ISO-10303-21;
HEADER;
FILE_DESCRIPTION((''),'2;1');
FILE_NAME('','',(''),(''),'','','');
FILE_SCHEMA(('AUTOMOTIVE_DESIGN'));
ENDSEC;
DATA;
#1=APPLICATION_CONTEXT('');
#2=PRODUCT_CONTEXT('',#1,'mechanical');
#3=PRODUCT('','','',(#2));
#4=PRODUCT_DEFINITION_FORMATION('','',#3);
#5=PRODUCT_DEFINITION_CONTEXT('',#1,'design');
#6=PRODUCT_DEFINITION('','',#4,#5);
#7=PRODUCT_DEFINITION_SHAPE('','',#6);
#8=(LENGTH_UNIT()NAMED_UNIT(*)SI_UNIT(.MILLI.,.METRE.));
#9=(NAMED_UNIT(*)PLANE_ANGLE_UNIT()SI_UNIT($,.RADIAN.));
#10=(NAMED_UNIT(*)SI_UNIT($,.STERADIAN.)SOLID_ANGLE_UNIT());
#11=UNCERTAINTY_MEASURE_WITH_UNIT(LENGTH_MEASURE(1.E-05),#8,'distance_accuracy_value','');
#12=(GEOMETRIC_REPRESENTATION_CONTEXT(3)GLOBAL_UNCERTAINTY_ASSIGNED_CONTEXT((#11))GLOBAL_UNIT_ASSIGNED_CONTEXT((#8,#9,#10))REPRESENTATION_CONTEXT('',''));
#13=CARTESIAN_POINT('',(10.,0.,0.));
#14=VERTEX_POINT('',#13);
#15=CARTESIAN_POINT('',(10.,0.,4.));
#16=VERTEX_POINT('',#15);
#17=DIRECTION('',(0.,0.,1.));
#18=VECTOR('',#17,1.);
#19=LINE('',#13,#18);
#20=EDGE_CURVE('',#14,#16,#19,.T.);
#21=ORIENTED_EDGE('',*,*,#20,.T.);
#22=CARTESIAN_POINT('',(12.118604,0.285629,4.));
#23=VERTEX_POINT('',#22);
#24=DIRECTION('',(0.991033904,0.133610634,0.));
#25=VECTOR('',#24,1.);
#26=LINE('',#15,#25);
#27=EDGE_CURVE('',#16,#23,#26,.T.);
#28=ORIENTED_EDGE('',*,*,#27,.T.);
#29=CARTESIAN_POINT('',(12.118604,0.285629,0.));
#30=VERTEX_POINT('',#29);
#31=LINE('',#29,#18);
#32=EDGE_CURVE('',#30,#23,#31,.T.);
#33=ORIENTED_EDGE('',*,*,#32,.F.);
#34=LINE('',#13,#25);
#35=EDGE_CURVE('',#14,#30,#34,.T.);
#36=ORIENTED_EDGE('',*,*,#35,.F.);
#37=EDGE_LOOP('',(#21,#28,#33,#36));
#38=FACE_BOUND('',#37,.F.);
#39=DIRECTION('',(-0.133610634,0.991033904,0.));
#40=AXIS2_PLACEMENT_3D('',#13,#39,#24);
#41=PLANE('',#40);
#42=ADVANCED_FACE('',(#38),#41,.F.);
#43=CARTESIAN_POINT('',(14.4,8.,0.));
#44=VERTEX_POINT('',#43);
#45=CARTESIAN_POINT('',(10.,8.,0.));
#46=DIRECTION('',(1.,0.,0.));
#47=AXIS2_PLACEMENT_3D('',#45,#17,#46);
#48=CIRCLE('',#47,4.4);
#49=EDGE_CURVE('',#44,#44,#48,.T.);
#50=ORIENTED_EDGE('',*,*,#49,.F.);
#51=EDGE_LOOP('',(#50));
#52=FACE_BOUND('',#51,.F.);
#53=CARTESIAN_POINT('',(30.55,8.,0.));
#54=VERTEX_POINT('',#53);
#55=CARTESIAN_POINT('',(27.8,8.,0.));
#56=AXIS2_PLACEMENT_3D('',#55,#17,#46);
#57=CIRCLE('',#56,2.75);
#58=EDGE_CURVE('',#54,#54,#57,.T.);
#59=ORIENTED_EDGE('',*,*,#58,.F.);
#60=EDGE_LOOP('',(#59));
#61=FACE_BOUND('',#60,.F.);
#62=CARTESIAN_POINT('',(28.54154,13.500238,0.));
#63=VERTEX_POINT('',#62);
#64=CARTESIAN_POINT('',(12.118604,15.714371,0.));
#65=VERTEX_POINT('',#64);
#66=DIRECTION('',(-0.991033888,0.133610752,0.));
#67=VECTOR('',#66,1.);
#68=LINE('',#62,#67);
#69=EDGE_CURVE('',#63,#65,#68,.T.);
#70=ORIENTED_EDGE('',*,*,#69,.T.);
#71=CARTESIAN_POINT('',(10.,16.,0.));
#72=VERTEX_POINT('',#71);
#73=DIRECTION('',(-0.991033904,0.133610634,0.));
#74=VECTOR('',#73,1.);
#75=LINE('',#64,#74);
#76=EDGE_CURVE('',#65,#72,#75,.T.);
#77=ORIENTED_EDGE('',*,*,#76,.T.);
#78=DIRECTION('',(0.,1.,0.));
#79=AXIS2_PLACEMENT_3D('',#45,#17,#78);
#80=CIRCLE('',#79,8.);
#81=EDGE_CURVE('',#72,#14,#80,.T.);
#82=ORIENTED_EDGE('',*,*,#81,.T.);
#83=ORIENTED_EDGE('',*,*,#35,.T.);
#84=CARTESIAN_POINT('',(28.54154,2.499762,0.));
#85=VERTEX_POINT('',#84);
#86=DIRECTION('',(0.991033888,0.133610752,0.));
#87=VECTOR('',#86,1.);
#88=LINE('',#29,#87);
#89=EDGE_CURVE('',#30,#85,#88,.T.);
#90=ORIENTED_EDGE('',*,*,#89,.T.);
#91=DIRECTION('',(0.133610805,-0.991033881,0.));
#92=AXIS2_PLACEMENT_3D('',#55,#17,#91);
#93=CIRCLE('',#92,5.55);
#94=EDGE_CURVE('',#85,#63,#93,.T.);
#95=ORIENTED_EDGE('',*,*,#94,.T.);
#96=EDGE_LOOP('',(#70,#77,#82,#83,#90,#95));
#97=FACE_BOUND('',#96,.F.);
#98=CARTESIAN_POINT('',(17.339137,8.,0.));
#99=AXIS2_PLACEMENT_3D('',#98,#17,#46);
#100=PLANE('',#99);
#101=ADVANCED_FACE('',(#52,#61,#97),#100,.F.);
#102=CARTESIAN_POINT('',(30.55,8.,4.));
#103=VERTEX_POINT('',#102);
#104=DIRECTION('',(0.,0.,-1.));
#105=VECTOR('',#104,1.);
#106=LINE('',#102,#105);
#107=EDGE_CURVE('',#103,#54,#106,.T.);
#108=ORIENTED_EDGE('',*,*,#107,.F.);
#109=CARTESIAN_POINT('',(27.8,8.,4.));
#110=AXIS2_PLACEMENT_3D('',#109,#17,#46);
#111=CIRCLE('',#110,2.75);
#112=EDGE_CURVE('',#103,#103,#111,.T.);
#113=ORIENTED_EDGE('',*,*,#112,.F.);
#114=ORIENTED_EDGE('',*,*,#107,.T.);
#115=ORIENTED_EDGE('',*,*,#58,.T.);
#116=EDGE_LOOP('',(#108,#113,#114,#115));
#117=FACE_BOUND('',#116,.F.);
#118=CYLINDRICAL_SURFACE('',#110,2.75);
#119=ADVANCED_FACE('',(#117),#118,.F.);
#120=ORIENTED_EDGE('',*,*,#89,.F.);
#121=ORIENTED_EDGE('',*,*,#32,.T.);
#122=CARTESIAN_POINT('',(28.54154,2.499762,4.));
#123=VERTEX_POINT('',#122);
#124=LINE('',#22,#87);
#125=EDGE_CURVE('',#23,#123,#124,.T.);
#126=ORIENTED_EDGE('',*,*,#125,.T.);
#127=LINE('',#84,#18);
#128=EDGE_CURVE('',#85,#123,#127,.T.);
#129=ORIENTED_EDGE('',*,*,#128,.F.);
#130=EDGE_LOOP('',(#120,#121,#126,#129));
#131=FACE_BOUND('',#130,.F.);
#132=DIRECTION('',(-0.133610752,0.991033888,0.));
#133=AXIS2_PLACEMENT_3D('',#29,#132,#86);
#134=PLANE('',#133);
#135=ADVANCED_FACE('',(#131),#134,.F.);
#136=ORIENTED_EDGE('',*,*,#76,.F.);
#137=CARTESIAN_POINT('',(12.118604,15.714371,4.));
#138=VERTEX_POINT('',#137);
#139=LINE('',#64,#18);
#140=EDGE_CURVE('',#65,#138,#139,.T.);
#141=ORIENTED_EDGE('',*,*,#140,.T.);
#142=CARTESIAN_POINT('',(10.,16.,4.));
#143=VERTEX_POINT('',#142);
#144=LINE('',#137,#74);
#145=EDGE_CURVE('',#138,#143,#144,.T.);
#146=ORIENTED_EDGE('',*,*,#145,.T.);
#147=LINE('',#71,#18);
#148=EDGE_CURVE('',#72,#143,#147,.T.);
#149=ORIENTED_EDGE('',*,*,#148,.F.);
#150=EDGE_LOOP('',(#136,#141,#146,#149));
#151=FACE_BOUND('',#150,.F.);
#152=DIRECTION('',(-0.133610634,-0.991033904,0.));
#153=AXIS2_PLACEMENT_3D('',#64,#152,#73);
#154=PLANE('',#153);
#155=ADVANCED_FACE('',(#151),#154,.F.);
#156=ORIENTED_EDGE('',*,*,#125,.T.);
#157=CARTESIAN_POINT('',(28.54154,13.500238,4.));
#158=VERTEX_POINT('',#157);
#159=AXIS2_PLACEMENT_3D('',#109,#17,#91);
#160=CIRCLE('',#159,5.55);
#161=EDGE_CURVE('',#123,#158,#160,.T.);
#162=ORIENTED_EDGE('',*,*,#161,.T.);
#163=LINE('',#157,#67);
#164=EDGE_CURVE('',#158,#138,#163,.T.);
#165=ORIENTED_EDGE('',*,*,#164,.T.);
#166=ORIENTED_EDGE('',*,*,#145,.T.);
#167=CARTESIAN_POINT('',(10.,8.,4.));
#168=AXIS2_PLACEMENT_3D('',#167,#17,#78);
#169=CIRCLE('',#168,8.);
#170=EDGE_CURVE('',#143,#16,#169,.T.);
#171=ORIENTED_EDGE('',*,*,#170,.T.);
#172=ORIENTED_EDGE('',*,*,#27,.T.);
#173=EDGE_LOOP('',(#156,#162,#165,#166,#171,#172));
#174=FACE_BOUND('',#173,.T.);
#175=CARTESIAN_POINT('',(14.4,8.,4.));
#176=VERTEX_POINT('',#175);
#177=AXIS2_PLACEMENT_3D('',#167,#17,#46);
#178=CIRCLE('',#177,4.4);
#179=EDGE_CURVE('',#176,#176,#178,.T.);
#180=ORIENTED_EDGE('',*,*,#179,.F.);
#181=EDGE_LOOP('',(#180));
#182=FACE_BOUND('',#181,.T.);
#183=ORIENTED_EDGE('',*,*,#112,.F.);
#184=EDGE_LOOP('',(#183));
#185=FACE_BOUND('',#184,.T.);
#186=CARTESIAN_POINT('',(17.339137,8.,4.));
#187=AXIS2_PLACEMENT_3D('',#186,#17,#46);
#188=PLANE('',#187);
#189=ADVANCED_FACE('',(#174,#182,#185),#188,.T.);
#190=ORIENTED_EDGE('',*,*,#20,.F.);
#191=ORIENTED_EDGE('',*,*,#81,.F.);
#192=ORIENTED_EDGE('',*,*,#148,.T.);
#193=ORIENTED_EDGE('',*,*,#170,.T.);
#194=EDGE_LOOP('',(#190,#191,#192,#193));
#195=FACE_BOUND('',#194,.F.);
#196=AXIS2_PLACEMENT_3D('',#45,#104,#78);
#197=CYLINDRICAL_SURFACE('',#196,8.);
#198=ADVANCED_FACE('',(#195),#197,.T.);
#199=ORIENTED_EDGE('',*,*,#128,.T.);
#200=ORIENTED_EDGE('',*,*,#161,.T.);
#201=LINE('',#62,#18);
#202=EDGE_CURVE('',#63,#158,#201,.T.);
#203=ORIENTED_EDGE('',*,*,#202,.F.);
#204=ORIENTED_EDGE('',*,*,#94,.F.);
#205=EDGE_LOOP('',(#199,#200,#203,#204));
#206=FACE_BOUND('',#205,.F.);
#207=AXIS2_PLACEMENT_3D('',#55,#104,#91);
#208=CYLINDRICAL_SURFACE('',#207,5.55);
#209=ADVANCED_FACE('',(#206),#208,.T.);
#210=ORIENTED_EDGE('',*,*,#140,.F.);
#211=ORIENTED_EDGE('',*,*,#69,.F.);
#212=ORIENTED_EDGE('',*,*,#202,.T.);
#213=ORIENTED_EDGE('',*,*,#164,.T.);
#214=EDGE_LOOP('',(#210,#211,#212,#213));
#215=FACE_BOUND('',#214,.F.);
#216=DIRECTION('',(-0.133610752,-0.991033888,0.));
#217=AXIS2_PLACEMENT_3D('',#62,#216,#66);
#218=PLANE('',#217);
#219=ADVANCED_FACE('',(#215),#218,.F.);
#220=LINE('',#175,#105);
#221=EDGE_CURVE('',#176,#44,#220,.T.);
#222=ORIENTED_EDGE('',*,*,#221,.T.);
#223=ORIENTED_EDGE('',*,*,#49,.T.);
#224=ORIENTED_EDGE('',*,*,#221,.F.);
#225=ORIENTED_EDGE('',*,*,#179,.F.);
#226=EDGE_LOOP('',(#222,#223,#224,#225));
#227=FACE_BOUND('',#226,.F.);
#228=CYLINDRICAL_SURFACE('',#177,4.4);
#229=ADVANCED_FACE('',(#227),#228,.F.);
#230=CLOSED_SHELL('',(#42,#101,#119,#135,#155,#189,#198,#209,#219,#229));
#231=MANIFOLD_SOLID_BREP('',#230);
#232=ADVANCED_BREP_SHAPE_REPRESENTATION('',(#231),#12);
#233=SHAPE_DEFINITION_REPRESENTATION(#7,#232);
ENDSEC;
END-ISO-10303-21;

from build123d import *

# Parameters (mm, degrees)
F1_DEPTH = 4
F2_R     = 4.4
F2_R_2   = 2.75
F3_DEPTH = 4


with BuildPart() as f1:
    # F0 (on Top) → F1 (new body)
    with BuildSketch(Plane.XY):
        with BuildLine():
            Line((28.54154, 13.500238), (12.118604, 15.714371))
            Line((12.118604, 15.714371), (10, 16))
            ThreePointArc((10, 16), (2, 8), (10, 0))
            Line((10, 0), (12.118604, 0.285629))
            Line((12.118604, 0.285629), (28.54154, 2.499762))
            ThreePointArc((28.54154, 2.499762), (33.35, 8), (28.54154, 13.500238))
        make_face()
    extrude(amount=F1_DEPTH)

    # F2 (on face) → F3 (cut, through all)
    with BuildSketch(Plane.XY.offset(4)):
        with Locations((10, 8)):
            Circle(F2_R)
        with Locations((27.8, 8)):
            Circle(F2_R_2)
    extrude(amount=-F3_DEPTH, mode=Mode.SUBTRACT)


solid = f1.part
